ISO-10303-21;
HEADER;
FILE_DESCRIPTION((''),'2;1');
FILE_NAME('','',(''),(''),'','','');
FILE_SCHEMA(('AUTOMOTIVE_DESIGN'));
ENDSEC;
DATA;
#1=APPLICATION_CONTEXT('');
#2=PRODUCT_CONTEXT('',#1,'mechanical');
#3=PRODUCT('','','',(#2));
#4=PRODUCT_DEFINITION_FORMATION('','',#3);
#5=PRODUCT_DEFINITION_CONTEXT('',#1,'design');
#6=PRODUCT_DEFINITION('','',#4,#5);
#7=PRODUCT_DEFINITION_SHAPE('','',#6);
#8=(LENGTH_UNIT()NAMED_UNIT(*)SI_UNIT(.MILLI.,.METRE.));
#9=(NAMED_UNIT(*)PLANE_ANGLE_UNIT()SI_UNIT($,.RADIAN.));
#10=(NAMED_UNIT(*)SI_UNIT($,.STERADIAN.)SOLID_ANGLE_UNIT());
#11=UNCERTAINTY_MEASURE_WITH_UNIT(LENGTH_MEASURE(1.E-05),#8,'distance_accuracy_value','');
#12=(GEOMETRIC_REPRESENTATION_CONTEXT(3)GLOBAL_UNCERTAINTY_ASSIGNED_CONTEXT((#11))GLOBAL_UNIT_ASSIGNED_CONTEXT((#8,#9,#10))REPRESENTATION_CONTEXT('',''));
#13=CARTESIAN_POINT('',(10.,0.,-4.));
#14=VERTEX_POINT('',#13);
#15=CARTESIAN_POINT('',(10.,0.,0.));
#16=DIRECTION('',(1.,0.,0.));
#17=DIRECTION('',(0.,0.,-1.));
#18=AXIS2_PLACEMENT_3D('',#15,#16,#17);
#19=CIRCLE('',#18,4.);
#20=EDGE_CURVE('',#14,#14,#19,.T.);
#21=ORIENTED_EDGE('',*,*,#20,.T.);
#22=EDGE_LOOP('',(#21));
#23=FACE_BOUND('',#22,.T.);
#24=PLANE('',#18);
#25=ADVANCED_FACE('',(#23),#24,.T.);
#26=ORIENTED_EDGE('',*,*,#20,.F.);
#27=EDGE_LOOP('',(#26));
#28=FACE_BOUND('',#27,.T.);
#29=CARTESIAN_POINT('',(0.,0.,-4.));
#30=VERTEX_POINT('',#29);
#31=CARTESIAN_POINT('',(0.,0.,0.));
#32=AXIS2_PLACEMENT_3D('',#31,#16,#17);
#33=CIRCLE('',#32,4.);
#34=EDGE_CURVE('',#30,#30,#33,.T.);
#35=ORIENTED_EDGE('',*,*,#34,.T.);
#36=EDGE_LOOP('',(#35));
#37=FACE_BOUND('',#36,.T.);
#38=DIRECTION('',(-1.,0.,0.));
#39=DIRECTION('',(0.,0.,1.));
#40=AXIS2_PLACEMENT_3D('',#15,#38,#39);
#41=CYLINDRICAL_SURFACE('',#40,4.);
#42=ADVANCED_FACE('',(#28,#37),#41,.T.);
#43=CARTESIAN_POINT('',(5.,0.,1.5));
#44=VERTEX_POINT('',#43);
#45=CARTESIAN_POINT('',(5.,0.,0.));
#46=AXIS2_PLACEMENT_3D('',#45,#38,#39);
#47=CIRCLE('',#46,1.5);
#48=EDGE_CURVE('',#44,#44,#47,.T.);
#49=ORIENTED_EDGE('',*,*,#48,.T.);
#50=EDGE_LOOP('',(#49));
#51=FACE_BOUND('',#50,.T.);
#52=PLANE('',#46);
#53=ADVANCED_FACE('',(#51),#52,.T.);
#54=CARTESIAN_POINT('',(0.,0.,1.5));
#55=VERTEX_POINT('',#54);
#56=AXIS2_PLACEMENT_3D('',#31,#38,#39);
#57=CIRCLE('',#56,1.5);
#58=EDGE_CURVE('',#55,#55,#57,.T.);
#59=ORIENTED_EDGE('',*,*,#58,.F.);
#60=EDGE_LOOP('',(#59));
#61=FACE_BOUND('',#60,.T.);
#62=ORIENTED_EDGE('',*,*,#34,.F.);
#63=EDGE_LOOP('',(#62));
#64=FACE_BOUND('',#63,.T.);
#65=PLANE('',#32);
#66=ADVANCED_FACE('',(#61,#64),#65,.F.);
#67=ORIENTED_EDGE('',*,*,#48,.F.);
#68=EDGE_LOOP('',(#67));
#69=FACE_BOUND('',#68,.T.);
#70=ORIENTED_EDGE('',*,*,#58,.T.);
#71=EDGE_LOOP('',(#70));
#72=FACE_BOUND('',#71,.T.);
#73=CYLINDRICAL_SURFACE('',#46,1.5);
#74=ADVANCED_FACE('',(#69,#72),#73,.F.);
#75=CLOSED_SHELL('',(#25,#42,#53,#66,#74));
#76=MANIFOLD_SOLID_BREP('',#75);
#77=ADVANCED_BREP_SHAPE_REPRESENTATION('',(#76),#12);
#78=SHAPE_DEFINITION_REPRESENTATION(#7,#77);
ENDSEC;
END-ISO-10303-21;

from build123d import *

# Parameters (mm, degrees)
SKETCH1_R           = 4
BOSS_EXTRUDE1_DEPTH = 10
SKETCH2_R           = 1.5
CUT_EXTRUDE1_DEPTH  = 5


with BuildPart() as part:
    # Sketch1 → Boss-Extrude1 (new body)
    with BuildSketch(Plane(origin=(0, 0, 0), x_dir=(0, 0, -1), z_dir=(1, 0, 0))):
        Circle(SKETCH1_R)
    extrude(amount=BOSS_EXTRUDE1_DEPTH)

    # Sketch2 → Cut-Extrude1 (cut)
    with BuildSketch(Plane.ZY):
        Circle(SKETCH2_R)
    extrude(amount=-CUT_EXTRUDE1_DEPTH, mode=Mode.SUBTRACT)


solid = part.part
